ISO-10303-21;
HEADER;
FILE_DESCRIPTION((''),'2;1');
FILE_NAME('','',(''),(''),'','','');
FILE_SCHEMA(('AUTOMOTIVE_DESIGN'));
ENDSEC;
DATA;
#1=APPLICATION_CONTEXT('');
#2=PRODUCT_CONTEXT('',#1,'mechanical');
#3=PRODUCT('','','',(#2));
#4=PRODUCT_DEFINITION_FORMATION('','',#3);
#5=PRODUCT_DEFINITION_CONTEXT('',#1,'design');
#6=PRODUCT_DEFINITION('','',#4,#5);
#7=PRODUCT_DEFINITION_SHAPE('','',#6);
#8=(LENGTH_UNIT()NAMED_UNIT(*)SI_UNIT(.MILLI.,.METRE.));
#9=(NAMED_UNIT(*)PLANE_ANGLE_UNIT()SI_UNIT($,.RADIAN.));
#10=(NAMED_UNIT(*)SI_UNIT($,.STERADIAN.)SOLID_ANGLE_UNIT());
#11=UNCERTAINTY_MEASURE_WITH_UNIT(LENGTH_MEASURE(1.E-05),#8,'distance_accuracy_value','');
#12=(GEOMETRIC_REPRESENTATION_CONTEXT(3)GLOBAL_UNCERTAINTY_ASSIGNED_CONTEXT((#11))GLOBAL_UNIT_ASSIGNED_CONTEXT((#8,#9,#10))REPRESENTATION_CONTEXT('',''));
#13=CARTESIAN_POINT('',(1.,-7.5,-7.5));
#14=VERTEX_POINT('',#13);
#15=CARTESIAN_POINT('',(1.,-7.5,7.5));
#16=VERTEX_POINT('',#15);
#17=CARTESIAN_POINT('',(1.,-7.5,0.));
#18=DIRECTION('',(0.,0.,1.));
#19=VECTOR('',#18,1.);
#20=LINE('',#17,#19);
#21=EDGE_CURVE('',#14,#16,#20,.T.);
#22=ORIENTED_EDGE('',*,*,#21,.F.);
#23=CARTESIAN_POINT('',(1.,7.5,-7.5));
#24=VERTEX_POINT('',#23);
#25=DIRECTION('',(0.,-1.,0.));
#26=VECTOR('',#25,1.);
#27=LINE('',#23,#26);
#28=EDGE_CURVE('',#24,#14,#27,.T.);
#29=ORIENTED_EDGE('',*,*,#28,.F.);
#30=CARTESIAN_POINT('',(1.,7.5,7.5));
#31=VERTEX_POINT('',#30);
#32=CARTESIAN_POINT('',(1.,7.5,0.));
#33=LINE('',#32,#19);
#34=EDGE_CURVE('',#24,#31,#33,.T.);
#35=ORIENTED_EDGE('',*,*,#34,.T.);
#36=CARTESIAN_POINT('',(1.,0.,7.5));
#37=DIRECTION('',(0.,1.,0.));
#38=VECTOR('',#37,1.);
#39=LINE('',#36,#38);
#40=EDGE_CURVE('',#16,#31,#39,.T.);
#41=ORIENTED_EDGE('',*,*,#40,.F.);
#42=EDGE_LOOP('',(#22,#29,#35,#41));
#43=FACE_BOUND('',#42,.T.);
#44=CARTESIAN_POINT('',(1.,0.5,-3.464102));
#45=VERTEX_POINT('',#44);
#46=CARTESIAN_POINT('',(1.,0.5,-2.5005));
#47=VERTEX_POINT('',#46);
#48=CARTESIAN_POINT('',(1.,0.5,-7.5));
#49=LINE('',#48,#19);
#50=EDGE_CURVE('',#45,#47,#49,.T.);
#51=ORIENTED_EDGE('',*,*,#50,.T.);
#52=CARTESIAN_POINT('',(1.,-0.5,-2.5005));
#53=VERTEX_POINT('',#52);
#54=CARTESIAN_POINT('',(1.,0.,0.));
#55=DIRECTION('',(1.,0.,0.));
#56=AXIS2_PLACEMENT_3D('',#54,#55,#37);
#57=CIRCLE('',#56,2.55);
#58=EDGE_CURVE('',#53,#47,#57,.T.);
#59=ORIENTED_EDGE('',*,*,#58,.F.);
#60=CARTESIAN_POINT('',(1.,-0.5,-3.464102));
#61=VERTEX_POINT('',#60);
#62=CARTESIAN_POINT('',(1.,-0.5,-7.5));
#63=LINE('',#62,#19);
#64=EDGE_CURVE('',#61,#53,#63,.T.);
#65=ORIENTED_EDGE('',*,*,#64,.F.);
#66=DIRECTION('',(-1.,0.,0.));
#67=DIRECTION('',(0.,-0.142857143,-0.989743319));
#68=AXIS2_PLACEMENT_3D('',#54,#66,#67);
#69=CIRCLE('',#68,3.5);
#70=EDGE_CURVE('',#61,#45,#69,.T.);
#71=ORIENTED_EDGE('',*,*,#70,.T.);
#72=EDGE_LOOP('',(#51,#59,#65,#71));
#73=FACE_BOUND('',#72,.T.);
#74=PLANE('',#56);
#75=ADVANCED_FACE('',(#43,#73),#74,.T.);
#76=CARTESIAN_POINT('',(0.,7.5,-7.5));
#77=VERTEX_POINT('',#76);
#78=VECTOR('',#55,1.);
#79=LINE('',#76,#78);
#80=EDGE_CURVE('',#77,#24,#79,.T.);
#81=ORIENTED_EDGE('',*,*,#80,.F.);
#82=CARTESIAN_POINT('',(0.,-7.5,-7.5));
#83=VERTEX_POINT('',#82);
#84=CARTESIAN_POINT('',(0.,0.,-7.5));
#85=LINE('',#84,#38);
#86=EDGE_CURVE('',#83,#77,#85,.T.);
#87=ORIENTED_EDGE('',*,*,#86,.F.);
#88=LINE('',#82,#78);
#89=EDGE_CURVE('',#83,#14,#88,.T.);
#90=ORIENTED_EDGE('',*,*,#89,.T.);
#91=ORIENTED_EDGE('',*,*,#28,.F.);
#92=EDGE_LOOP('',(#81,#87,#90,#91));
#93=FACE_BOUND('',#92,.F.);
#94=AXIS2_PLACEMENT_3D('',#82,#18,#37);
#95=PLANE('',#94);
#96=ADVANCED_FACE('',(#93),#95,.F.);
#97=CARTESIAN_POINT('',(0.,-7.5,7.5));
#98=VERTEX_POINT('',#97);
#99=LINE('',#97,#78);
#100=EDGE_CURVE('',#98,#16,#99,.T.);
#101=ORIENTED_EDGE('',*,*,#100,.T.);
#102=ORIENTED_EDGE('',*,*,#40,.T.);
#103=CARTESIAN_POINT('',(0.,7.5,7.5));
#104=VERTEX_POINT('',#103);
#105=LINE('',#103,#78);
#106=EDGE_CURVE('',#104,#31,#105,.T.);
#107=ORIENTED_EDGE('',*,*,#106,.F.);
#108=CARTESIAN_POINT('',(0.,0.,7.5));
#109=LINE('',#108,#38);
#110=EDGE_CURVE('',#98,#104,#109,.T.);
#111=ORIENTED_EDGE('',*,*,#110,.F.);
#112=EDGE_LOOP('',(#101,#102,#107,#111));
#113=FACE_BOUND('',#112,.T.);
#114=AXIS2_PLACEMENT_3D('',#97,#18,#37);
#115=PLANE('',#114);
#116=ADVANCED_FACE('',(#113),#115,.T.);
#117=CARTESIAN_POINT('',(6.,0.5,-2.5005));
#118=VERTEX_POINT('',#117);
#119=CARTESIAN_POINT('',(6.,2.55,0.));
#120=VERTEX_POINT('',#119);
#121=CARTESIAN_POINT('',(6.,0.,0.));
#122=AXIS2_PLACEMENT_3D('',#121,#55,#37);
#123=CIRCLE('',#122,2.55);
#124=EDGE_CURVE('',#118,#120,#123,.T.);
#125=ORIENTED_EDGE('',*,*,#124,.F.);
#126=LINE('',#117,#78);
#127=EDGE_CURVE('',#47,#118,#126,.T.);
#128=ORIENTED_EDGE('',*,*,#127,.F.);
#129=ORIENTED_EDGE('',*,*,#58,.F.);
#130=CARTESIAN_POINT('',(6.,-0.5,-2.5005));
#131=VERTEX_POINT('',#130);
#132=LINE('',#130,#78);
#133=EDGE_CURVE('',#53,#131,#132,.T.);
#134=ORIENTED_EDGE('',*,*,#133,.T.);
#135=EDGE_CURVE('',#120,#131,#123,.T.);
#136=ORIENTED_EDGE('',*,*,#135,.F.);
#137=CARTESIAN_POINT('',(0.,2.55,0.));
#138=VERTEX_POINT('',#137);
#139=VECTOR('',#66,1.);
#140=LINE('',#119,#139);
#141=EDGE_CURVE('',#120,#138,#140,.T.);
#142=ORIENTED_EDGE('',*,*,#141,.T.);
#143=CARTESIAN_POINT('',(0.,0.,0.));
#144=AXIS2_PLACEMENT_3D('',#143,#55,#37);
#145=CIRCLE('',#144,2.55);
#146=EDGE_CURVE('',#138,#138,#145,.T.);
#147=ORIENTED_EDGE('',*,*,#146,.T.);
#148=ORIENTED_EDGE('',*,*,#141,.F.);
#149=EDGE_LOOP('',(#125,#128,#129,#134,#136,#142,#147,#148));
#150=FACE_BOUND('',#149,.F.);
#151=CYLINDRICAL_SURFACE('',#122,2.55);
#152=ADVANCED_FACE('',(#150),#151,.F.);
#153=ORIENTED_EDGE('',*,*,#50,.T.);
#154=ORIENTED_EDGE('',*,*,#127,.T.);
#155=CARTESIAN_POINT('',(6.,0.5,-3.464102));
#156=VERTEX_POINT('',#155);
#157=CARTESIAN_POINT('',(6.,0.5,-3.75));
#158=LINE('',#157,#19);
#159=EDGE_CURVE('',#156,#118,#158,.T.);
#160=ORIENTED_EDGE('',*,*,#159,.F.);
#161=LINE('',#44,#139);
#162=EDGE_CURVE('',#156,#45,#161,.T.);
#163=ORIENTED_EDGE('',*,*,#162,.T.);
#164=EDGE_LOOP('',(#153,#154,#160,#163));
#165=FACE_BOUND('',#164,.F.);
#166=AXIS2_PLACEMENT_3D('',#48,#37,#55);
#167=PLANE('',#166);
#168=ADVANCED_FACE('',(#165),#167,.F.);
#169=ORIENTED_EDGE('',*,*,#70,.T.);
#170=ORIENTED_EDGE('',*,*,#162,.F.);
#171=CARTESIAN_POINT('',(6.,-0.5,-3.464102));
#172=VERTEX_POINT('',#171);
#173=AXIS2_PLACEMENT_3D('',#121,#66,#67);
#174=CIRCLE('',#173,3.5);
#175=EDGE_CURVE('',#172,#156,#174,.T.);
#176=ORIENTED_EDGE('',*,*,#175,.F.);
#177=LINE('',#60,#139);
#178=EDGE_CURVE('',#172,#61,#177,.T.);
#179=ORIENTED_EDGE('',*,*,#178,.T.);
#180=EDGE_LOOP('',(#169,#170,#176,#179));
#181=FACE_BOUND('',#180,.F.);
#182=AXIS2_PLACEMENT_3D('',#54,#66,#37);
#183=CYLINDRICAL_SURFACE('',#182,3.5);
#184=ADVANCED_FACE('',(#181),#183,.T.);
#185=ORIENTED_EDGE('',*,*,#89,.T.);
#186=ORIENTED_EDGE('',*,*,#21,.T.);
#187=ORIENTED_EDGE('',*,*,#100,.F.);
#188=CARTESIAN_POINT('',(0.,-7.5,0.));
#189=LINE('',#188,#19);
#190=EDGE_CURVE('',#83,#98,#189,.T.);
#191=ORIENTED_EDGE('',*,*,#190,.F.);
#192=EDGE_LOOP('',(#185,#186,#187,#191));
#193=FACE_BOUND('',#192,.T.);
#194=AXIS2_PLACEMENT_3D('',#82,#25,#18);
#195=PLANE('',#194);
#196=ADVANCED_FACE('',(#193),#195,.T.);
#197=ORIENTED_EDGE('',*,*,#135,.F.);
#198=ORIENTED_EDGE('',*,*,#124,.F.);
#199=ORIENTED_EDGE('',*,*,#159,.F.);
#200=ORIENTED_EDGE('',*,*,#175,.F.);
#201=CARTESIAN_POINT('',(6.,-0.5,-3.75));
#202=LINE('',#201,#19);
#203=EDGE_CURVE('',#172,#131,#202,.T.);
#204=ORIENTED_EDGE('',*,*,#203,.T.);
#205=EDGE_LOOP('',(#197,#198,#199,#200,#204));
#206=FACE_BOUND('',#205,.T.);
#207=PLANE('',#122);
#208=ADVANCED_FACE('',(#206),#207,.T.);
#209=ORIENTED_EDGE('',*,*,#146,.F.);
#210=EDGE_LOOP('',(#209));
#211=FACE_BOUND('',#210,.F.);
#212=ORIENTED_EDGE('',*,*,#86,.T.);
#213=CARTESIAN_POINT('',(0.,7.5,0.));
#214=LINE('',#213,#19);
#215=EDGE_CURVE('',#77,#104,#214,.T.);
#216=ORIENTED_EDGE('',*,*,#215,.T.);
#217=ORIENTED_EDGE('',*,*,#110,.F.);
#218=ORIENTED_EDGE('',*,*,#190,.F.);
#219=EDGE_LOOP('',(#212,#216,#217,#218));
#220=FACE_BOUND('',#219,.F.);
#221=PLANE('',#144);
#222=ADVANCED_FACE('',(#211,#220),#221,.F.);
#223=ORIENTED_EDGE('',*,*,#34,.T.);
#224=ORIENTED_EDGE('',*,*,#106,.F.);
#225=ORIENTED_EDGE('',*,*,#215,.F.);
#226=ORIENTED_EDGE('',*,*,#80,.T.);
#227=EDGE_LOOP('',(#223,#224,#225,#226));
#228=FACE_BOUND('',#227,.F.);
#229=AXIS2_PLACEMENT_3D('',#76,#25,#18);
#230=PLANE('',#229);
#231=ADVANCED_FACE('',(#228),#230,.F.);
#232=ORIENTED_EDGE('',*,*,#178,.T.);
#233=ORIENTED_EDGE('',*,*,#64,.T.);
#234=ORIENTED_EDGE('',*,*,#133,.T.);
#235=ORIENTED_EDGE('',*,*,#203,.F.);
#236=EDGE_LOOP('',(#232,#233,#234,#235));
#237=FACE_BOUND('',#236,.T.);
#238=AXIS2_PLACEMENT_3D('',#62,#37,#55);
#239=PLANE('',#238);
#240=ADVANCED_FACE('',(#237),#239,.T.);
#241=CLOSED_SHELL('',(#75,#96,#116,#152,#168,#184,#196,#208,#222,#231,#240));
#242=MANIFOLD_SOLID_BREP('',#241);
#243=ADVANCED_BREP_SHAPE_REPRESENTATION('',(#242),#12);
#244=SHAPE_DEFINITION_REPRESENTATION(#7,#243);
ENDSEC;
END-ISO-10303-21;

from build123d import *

# Parameters (mm, degrees)
F0_W     = 15
F0_H     = 15
F1_DEPTH = 1
F2_R     = 3.5
F3_DEPTH = 5
F4_R     = 2.55
F5_DEPTH = 25
F6_W     = 5.5
F6_H     = 1
F7_DEPTH = 7


with BuildPart() as f1:
    # F0 (on Right) → F1 (new body)
    with BuildSketch(Plane.YZ):
        Rectangle(F0_W, F0_H)
    extrude(amount=F1_DEPTH)

    # F2 (on face) → F3 (join)
    with BuildSketch(Plane.YZ.offset(1)):
        Circle(F2_R)
    extrude(amount=F3_DEPTH)

    # F4 (on face) → F5 (cut)
    with BuildSketch(Plane.YZ.offset(6)):
        Circle(F4_R)
    extrude(amount=-F5_DEPTH, mode=Mode.SUBTRACT)

    # F6 (on face) → F7 (cut)
    with BuildSketch(Plane(origin=(0, 0, -7.5), x_dir=(1, 0, 0), z_dir=(0, 0, -1))):
        with Locations((3.75, 0)):
            Rectangle(F6_W, F6_H)
    extrude(amount=-F7_DEPTH, mode=Mode.SUBTRACT)


solid = f1.part
